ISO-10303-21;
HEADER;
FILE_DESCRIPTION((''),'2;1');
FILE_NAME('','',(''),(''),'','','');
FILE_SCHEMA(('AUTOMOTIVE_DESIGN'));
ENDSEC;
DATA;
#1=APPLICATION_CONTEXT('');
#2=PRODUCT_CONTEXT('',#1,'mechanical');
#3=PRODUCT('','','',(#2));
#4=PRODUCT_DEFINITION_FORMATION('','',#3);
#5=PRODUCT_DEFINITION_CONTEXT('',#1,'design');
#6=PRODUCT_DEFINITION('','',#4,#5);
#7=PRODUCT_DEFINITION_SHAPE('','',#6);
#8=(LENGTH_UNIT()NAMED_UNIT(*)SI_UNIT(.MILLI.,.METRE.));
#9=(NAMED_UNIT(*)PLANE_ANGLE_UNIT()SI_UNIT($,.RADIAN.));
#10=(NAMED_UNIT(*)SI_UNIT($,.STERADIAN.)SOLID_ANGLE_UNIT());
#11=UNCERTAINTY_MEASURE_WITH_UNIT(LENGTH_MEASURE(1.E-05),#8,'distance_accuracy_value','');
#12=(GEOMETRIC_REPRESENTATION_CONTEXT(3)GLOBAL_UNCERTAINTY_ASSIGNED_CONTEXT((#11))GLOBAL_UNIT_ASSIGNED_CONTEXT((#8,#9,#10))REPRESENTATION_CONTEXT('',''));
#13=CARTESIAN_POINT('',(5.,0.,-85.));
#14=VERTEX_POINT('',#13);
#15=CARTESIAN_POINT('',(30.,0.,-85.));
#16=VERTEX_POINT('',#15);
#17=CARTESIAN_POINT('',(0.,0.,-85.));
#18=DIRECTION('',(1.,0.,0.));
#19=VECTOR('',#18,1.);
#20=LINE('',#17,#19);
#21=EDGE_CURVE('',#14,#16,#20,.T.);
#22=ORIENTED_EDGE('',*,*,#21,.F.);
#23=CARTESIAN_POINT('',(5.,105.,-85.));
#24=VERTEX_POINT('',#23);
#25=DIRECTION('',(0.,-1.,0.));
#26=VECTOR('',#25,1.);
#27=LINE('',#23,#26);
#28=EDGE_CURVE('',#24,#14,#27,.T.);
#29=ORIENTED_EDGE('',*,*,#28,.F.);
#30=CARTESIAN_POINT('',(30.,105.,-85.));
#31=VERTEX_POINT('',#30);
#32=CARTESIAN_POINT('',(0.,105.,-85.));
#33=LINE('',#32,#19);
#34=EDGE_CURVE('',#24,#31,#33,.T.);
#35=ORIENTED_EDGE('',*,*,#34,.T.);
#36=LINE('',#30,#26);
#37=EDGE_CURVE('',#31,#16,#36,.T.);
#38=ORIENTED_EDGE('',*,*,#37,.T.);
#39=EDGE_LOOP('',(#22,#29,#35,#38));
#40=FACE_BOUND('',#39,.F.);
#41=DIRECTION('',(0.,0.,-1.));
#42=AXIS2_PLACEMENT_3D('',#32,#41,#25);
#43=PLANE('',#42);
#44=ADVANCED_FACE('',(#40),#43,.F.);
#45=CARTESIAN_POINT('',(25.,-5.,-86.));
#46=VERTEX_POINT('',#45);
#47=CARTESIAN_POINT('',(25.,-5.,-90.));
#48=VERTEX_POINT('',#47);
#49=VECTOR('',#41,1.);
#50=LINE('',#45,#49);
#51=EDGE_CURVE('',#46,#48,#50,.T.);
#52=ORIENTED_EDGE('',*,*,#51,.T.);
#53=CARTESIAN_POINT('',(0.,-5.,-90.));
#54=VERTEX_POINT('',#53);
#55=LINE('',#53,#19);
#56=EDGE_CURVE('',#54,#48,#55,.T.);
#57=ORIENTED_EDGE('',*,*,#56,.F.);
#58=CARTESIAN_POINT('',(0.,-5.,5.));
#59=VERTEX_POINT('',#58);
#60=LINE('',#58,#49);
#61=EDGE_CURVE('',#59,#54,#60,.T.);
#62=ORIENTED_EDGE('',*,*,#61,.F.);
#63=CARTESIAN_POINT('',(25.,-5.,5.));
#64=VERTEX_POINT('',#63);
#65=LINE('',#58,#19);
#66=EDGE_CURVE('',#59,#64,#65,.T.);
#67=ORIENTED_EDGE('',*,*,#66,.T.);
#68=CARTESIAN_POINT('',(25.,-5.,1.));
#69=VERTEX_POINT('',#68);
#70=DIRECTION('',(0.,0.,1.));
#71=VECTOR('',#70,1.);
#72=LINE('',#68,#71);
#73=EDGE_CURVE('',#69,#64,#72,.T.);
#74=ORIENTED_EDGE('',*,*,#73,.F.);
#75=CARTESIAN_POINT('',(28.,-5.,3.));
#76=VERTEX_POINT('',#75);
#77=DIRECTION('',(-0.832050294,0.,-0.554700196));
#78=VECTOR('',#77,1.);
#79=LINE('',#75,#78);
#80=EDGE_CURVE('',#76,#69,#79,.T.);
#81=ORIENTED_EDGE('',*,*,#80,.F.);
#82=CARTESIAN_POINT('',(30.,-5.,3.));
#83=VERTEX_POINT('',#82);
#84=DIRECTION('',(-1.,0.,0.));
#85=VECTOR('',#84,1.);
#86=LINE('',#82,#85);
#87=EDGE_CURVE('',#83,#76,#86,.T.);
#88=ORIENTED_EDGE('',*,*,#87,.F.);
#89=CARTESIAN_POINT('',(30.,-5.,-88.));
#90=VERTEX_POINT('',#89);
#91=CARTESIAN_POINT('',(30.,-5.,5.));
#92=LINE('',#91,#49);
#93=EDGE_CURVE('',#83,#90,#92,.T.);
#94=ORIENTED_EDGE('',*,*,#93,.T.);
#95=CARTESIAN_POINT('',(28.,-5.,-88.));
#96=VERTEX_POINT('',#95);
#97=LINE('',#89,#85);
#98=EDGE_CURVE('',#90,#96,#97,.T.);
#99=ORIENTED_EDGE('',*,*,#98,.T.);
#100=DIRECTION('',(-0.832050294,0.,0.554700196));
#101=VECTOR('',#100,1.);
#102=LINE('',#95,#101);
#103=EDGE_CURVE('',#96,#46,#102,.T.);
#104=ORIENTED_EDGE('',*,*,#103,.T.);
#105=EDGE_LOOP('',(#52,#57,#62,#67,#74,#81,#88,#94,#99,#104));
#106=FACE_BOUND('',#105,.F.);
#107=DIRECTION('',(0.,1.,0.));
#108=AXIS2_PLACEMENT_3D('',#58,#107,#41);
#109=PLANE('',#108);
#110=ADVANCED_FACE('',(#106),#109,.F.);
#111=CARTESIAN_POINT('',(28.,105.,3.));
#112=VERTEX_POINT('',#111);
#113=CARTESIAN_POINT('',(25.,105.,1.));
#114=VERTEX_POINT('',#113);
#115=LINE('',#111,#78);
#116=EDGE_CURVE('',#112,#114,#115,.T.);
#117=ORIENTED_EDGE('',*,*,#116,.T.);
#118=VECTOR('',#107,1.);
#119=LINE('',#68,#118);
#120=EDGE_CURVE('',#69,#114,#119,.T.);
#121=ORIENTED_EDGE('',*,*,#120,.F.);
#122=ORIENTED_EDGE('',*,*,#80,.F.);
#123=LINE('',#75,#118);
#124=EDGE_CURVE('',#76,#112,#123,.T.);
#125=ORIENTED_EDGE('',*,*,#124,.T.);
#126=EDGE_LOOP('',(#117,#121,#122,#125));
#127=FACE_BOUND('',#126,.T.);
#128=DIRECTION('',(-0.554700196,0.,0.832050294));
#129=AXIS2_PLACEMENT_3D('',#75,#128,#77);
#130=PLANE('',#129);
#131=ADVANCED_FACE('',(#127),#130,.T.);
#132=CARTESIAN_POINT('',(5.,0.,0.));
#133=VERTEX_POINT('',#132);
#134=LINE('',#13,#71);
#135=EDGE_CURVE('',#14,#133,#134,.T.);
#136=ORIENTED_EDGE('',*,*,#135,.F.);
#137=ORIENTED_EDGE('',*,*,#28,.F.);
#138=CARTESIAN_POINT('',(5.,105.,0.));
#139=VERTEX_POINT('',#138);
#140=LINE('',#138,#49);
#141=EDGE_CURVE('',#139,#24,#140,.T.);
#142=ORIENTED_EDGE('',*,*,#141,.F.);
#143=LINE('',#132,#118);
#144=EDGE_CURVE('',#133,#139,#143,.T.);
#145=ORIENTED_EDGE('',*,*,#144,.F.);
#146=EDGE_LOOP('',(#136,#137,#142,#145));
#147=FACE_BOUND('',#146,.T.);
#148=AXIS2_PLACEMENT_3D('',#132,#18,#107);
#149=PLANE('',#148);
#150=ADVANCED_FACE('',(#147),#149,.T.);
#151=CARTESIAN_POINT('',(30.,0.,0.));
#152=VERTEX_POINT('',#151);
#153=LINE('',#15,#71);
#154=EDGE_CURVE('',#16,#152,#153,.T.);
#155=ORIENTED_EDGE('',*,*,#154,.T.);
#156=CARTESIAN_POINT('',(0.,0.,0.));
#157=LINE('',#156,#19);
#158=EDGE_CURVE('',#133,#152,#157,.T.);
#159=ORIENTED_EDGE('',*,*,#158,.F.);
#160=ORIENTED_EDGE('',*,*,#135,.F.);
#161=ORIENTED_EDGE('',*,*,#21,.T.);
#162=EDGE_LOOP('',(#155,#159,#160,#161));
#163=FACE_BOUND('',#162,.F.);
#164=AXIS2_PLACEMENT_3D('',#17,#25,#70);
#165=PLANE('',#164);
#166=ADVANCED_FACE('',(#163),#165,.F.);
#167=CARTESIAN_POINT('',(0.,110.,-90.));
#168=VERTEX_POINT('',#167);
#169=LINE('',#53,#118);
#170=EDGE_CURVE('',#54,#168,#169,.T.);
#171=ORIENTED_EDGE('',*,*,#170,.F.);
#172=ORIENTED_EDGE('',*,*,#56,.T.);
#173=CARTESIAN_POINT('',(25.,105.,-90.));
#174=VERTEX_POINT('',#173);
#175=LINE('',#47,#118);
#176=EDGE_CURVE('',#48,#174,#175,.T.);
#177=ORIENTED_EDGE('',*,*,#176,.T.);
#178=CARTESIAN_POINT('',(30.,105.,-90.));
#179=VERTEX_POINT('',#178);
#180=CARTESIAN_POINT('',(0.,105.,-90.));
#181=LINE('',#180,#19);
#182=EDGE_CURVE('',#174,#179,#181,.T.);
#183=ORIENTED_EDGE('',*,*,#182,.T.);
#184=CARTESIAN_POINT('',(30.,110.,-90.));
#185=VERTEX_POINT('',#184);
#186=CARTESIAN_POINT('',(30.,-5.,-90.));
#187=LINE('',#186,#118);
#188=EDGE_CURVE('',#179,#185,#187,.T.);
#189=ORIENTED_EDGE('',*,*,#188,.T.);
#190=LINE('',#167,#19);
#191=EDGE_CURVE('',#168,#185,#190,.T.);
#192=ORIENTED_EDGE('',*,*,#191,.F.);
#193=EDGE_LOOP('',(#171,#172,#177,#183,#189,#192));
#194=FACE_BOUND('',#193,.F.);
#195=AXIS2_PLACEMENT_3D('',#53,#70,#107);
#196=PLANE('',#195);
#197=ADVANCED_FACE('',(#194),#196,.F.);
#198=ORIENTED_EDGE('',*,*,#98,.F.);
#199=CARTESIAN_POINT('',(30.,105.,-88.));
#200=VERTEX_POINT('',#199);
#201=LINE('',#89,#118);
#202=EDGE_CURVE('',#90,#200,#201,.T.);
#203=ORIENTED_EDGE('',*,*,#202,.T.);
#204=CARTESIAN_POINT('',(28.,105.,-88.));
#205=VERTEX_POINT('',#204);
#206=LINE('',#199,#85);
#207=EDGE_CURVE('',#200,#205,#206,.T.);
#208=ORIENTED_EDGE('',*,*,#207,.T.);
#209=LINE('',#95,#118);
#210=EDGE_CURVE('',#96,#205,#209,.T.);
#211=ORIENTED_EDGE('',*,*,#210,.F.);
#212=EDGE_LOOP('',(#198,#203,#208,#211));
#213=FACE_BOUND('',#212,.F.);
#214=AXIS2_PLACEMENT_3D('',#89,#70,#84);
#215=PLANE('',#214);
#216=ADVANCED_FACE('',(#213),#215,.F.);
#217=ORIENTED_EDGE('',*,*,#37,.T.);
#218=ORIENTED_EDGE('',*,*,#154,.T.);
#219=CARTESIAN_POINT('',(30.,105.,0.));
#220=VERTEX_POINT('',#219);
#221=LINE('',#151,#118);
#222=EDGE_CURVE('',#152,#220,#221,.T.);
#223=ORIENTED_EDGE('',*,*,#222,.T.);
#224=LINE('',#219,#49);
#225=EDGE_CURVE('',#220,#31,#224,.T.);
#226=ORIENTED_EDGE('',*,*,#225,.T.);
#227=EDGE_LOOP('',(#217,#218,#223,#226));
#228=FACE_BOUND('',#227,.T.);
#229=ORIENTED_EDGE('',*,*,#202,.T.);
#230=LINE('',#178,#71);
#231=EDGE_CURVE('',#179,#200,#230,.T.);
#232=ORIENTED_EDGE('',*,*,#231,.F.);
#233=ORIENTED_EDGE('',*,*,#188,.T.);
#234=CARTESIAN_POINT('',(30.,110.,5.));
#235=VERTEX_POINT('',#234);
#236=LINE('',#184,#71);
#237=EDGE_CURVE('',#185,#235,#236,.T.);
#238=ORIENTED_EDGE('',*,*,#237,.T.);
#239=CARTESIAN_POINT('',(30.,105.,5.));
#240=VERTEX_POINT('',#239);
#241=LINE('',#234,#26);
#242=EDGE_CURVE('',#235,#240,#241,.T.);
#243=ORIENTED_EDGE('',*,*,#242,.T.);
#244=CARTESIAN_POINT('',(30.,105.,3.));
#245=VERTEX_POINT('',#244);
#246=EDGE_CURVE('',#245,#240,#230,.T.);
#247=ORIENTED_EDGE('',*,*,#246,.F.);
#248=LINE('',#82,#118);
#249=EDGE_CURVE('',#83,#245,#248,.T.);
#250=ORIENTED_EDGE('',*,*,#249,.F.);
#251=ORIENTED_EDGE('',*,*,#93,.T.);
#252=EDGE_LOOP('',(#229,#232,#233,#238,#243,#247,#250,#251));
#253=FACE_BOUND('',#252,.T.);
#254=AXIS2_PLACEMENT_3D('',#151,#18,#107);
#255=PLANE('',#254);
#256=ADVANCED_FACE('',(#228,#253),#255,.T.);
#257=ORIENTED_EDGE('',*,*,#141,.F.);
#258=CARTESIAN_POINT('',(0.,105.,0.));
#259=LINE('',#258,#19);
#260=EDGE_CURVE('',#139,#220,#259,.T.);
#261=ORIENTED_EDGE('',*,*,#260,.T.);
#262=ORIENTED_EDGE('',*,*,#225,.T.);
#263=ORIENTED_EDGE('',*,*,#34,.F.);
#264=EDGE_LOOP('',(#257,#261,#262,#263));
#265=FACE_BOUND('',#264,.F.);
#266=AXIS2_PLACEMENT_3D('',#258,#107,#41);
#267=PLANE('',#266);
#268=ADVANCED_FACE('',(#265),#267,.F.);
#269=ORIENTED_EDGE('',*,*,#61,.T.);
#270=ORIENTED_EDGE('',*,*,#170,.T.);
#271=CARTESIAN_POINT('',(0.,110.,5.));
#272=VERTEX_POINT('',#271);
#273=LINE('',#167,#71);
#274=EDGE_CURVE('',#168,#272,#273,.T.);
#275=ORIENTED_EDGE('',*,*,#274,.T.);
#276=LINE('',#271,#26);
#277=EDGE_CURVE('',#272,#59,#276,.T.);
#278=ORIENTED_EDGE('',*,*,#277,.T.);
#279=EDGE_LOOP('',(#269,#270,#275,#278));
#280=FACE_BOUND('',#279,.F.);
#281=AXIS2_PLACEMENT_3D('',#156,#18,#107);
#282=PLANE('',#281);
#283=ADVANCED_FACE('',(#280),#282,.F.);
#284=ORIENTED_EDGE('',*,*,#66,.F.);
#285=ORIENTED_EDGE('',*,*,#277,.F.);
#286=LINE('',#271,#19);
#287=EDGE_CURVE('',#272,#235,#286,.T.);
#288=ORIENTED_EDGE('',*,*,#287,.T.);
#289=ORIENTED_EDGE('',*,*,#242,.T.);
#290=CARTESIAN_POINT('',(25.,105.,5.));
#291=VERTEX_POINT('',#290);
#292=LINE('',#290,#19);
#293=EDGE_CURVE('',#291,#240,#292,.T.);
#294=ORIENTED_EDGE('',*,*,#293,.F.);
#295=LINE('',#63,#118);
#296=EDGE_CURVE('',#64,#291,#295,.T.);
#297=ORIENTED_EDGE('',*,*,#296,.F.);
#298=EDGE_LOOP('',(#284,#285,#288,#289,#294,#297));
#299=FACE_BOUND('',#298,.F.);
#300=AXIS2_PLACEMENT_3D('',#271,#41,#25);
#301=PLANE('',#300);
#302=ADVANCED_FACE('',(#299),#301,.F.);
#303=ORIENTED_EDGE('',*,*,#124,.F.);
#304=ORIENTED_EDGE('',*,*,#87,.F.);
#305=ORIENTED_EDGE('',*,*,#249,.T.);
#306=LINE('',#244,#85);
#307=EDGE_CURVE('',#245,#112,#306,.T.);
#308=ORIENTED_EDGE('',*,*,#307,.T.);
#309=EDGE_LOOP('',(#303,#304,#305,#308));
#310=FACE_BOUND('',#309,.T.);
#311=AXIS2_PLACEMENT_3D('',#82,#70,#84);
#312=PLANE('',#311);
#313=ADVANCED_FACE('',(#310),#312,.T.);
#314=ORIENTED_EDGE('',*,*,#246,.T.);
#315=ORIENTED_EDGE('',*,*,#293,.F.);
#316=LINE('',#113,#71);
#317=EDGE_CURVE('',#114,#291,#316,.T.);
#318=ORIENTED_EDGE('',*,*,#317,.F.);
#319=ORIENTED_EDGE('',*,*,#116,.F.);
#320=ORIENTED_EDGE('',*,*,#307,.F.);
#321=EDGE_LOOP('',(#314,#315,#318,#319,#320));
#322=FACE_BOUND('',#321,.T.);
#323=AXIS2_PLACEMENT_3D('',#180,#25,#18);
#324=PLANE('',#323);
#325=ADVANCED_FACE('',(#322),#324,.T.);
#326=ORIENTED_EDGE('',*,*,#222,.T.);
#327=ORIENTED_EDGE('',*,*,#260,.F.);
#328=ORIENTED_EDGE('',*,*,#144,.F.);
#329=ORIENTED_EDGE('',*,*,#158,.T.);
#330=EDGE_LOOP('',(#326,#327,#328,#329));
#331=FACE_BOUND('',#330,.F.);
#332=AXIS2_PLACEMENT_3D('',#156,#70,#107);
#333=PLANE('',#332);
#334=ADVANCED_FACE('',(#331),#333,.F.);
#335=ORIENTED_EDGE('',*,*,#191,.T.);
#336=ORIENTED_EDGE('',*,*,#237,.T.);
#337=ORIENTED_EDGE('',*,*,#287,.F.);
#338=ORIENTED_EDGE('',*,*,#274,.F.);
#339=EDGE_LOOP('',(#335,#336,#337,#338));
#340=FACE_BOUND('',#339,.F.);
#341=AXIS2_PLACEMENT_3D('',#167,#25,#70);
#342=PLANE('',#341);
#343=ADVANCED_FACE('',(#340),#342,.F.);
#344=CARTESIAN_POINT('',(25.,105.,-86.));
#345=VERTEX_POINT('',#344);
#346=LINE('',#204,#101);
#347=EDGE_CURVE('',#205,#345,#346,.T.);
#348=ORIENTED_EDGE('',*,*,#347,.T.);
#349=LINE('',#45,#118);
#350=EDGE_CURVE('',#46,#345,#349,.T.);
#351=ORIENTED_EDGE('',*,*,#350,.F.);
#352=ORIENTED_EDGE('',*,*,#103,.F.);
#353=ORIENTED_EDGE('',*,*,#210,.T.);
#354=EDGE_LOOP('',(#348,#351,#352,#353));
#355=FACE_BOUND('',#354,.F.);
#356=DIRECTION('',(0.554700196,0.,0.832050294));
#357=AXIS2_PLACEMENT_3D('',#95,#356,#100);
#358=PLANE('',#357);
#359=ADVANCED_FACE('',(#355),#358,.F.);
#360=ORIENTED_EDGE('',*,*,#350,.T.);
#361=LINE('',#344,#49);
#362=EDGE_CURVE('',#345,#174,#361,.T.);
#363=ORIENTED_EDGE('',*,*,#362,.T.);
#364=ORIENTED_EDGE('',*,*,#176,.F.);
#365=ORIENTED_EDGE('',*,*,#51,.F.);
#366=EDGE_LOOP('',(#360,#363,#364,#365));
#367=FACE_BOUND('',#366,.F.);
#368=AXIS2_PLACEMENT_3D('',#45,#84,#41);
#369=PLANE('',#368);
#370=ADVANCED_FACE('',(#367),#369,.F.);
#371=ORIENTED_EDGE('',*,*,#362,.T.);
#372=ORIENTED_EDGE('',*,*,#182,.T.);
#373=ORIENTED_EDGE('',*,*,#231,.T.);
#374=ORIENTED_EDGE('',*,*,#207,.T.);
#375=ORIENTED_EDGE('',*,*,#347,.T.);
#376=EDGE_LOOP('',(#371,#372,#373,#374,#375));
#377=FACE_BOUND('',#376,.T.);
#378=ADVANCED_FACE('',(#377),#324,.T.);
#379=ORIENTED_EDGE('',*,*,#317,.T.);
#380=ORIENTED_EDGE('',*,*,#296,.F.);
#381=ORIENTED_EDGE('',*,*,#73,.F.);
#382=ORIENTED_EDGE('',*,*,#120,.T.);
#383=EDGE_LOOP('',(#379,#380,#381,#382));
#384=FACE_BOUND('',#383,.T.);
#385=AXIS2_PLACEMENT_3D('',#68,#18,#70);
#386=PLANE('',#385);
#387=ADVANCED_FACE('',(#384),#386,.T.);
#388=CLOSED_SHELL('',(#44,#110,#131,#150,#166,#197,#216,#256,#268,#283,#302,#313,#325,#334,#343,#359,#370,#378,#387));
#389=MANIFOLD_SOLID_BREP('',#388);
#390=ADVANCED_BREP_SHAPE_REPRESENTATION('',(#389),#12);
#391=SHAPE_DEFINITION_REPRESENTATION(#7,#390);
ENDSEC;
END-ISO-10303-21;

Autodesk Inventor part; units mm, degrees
ref_plane "YZ Plane" through (0, 0, 0) normal (1, 0, 0) x (0, 1, 0)
ref_plane "XZ Plane" through (0, 0, 0) normal (0, 1, 0) x (-1, 0, 0)
ref_plane "XY Plane" through (0, 0, 0) normal (0, 0, 1) x (1, 0, 0)
sketch "Boceto1" plane through (0, 0, 0) normal (1, 0, 0) x (0, 1, 0)
  line L0 (0, 0) -> (105, 0)
  line L1 (105, 0) -> (105, -85)
  line L2 (105, -85) -> (0, -85)
  line L3 (0, -85) -> (0, 0)
  line L4 (110, 5) -> (-5, 5)
  line L5 (-5, 5) -> (-5, -90)
  line L6 (-5, -90) -> (110, -90)
  line L7 (110, -90) -> (110, 5)
  point P0 (105, -42.5)
  dimension "d0" = 85
  dimension "d1" = 105
  dimension "d2" = 5
  dimension "d3" = 5
  dimension "d4" = 5
  dimension "d5" = 5
extrude "Extrusión1" add sketch "Boceto1" along normal blind 30
extrude "Extrusión2" add sketch "Boceto1" along normal blind 5 contours L0 L1 L2 L3
sketch "Boceto2" plane through (0, -5, -90) normal (0, -1, 0) x (1, 0, 0)
  line L0 (0, 0) -> (30, 0) projected
  line L1 (30, 0) -> (30, 2)
  line L2 (30, 0) -> (30, 95) projected
  line L3 (28, 2) -> (25, 4)
  line L4 (25, 4) -> (25, 0)
  line L5 (25, 0) -> (30, 0)
  line L6 (30, 2) -> (28, 2)
  line L7 (37.2923, 47.5) -> (-11.4995, 47.5) construction
  line L8 (30, 95) -> (30, 93)
  line L9 (28, 93) -> (25, 91)
  line L10 (25, 91) -> (25, 95)
  line L11 (25, 95) -> (30, 95)
  line L12 (30, 93) -> (28, 93)
  point P0 (0, 90)
  point P1 (30, 47.5)
  point P2 (25, 0)
  dimension "d10" = 2
  dimension "d11" = 2
  dimension "d12" = 4
  dimension "d13" = 5
  dimension "d14" = 0
extrude "Extrusión3" cut sketch "Boceto2" against normal blind 110
properties part number "carcasa_pcb"
